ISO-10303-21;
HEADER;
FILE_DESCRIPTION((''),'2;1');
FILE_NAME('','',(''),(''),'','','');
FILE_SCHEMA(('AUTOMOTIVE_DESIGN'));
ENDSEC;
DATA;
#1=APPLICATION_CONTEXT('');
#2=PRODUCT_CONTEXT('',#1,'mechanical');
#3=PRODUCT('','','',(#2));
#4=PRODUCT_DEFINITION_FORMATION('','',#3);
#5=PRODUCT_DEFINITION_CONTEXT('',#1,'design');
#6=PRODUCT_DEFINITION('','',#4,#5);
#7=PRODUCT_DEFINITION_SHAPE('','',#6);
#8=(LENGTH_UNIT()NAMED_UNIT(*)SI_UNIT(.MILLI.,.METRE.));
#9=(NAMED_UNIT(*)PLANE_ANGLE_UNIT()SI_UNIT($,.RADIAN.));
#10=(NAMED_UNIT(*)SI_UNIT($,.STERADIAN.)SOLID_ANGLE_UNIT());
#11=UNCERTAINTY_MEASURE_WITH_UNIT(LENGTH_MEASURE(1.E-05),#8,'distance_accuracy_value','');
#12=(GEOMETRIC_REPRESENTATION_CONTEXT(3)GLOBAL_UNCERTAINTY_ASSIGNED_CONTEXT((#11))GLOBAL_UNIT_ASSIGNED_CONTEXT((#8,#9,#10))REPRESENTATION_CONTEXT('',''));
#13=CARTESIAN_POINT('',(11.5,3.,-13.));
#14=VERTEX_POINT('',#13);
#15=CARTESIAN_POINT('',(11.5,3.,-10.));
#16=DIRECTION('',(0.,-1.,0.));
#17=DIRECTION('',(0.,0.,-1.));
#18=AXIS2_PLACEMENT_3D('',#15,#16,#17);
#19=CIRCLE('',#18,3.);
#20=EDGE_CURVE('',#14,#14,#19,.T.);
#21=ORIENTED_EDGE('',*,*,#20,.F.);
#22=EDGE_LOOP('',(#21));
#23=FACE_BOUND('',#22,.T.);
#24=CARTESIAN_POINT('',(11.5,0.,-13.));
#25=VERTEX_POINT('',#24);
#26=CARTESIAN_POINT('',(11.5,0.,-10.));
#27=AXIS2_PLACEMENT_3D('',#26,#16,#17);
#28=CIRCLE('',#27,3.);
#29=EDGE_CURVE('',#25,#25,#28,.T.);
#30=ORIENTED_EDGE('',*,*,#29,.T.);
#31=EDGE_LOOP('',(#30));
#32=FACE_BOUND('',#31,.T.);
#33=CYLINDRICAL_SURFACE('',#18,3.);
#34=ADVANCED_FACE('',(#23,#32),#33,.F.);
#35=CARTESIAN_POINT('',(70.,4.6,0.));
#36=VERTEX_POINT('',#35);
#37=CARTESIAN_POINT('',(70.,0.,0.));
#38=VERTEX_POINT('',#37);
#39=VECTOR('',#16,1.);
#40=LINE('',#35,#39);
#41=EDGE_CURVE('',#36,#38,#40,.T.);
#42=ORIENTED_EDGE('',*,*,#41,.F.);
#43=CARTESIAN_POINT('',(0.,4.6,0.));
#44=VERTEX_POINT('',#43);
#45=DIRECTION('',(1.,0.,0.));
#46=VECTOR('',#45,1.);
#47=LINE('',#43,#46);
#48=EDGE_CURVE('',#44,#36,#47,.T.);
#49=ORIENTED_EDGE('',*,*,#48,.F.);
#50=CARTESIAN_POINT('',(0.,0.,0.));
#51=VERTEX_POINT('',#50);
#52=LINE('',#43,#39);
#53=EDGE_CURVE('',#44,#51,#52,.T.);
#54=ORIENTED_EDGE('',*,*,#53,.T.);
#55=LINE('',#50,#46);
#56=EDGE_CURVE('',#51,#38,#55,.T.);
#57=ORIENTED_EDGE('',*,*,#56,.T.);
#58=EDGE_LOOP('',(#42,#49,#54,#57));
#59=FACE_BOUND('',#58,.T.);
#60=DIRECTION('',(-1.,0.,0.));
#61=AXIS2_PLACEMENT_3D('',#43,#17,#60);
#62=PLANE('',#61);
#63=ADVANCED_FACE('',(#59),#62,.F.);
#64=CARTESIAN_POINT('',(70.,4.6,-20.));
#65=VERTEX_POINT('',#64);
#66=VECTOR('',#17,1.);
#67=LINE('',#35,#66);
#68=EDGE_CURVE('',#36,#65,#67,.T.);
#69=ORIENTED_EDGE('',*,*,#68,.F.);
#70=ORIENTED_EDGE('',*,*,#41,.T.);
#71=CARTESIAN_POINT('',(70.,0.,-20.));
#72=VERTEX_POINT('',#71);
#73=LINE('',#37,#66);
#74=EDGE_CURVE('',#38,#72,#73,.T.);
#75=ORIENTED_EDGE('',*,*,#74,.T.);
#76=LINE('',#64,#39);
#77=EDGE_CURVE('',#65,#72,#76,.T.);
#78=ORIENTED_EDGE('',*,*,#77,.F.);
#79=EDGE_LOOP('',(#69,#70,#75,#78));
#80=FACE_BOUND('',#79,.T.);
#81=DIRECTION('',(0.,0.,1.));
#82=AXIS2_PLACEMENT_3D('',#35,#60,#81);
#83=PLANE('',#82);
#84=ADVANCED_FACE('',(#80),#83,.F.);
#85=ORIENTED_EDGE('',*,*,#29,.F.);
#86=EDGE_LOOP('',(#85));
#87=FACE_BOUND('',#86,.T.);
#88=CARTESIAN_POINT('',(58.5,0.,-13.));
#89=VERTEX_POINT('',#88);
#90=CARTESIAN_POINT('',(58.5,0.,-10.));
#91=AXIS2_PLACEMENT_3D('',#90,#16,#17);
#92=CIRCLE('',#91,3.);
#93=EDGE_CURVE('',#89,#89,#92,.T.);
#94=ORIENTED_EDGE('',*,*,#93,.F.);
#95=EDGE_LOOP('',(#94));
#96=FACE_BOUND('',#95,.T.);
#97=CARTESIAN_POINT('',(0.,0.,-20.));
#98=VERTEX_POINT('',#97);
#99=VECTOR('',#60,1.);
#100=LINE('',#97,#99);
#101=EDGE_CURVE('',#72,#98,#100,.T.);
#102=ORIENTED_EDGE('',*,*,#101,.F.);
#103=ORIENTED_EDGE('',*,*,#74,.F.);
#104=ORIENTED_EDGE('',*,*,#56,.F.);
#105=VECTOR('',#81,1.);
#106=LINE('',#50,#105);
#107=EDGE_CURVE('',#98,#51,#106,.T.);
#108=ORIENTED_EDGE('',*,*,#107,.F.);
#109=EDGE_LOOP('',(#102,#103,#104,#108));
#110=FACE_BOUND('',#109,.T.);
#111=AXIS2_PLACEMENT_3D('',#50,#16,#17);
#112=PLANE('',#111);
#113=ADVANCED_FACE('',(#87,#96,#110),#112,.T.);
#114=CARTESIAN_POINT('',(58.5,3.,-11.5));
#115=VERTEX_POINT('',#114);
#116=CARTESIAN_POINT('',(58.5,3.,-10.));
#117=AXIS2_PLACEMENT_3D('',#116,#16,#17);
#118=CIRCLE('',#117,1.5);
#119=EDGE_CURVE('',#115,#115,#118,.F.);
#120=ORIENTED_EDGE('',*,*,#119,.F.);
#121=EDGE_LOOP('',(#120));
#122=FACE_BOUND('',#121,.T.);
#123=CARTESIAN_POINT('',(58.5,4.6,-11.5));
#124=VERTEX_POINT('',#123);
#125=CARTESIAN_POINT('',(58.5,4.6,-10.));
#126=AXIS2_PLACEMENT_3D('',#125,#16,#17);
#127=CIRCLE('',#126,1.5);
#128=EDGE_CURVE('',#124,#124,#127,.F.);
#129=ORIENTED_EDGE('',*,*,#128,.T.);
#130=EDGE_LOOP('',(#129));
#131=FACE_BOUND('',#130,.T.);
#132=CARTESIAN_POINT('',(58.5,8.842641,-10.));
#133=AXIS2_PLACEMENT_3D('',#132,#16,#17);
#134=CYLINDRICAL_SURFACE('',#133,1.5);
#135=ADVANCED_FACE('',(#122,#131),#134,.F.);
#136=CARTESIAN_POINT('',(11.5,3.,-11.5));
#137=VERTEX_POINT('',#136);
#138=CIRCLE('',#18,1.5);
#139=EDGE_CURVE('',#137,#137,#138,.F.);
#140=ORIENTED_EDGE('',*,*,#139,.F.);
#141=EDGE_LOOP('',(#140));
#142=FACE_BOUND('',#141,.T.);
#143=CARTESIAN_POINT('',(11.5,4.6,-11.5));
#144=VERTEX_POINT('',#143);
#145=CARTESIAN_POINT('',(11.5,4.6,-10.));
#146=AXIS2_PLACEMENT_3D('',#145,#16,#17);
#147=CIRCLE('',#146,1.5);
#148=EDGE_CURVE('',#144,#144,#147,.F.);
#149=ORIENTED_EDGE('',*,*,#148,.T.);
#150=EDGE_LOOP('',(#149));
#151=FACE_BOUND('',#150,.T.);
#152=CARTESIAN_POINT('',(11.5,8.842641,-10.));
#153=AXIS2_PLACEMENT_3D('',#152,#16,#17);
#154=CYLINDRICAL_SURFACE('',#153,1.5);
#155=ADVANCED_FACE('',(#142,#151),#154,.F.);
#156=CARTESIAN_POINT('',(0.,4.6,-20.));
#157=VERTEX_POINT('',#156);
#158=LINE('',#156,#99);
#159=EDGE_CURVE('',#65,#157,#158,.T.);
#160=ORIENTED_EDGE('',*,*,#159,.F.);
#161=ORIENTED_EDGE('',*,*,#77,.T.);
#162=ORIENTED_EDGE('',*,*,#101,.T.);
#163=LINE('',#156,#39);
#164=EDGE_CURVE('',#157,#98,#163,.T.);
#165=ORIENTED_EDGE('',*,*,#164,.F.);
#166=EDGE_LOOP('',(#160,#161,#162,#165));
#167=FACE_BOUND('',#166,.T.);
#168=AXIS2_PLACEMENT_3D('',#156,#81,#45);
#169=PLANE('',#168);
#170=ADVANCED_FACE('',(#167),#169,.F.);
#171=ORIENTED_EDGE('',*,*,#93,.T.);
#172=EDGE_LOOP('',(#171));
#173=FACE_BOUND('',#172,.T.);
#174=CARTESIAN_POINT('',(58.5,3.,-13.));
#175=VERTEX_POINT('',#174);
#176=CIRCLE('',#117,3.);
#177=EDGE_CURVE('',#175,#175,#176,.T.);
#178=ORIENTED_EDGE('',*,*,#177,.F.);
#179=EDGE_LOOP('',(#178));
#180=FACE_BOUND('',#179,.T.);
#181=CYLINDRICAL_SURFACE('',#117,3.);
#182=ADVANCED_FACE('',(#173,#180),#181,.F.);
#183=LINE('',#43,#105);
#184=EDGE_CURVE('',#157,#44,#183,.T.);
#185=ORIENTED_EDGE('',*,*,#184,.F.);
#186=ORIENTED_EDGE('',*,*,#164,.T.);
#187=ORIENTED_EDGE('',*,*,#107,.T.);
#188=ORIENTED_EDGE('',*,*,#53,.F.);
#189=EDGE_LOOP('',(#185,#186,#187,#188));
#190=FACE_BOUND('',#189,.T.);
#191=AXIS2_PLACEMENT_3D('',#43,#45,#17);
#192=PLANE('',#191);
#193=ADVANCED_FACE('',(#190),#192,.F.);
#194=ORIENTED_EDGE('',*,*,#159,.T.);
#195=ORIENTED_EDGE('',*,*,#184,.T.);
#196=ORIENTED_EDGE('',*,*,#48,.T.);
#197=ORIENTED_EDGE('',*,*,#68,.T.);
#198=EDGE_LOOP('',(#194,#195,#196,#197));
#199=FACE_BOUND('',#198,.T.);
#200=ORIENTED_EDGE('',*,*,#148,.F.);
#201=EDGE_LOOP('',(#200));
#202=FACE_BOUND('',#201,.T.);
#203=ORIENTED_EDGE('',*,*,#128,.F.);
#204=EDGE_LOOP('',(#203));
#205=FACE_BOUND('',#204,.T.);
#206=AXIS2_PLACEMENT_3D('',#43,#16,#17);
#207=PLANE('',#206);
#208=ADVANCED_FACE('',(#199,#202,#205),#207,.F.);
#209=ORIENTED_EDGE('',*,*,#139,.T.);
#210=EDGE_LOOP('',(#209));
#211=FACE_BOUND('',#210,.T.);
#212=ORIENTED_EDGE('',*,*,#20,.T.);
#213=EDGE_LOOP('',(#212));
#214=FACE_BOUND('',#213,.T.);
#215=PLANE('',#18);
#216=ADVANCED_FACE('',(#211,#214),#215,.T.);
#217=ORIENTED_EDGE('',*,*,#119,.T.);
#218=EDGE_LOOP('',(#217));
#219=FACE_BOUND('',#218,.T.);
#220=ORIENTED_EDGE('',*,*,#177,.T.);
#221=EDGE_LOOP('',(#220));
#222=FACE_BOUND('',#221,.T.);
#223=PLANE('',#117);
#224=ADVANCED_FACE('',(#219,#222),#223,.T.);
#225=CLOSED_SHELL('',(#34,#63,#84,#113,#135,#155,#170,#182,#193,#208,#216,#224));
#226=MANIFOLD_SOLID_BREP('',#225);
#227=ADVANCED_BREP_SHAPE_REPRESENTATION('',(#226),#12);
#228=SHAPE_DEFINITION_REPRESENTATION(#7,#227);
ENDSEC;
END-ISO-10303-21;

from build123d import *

# Parameters (mm, degrees)
IZIM1_W                     = 70
IZIM1_H                     = 20
Y_KSEKLIK_EKSTR_ZYON1_DEPTH = 4.6
IZIM2_R                     = 1.5
KES_EKSTR_ZYON1_DEPTH       = 4.6
IZIM3_R                     = 3
KES_EKSTR_ZYON2_DEPTH       = 3


with BuildPart() as part:
    # Çizim1 → Yükseklik-Ekstrüzyon1 (new body)
    with BuildSketch(Plane(origin=(0, 0, 0), x_dir=(1, 0, 0), z_dir=(0, 1, 0))):
        with Locations((35, 10)):
            Rectangle(IZIM1_W, IZIM1_H)
    extrude(amount=Y_KSEKLIK_EKSTR_ZYON1_DEPTH)

    # Çizim2 → Kes-Ekstrüzyon1 (cut)
    with BuildSketch(Plane.XZ):
        with Locations(Location((58.5, -10, 0), (0, 0, 270))):
            Circle(IZIM2_R)
        with Locations(Location((11.5, -10, 0), (0, 0, 270))):
            Circle(IZIM2_R)
    extrude(amount=-KES_EKSTR_ZYON1_DEPTH, mode=Mode.SUBTRACT)

    # Çizim3 → Kes-Ekstrüzyon2 (cut)
    with BuildSketch(Plane.XZ):
        with Locations(Location((11.5, -10, 0), (0, 0, 270))):
            Circle(IZIM3_R)
        with Locations(Location((58.5, -10, 0), (0, 0, 270))):
            Circle(IZIM3_R)
    extrude(amount=-KES_EKSTR_ZYON2_DEPTH, mode=Mode.SUBTRACT)


solid = part.part
